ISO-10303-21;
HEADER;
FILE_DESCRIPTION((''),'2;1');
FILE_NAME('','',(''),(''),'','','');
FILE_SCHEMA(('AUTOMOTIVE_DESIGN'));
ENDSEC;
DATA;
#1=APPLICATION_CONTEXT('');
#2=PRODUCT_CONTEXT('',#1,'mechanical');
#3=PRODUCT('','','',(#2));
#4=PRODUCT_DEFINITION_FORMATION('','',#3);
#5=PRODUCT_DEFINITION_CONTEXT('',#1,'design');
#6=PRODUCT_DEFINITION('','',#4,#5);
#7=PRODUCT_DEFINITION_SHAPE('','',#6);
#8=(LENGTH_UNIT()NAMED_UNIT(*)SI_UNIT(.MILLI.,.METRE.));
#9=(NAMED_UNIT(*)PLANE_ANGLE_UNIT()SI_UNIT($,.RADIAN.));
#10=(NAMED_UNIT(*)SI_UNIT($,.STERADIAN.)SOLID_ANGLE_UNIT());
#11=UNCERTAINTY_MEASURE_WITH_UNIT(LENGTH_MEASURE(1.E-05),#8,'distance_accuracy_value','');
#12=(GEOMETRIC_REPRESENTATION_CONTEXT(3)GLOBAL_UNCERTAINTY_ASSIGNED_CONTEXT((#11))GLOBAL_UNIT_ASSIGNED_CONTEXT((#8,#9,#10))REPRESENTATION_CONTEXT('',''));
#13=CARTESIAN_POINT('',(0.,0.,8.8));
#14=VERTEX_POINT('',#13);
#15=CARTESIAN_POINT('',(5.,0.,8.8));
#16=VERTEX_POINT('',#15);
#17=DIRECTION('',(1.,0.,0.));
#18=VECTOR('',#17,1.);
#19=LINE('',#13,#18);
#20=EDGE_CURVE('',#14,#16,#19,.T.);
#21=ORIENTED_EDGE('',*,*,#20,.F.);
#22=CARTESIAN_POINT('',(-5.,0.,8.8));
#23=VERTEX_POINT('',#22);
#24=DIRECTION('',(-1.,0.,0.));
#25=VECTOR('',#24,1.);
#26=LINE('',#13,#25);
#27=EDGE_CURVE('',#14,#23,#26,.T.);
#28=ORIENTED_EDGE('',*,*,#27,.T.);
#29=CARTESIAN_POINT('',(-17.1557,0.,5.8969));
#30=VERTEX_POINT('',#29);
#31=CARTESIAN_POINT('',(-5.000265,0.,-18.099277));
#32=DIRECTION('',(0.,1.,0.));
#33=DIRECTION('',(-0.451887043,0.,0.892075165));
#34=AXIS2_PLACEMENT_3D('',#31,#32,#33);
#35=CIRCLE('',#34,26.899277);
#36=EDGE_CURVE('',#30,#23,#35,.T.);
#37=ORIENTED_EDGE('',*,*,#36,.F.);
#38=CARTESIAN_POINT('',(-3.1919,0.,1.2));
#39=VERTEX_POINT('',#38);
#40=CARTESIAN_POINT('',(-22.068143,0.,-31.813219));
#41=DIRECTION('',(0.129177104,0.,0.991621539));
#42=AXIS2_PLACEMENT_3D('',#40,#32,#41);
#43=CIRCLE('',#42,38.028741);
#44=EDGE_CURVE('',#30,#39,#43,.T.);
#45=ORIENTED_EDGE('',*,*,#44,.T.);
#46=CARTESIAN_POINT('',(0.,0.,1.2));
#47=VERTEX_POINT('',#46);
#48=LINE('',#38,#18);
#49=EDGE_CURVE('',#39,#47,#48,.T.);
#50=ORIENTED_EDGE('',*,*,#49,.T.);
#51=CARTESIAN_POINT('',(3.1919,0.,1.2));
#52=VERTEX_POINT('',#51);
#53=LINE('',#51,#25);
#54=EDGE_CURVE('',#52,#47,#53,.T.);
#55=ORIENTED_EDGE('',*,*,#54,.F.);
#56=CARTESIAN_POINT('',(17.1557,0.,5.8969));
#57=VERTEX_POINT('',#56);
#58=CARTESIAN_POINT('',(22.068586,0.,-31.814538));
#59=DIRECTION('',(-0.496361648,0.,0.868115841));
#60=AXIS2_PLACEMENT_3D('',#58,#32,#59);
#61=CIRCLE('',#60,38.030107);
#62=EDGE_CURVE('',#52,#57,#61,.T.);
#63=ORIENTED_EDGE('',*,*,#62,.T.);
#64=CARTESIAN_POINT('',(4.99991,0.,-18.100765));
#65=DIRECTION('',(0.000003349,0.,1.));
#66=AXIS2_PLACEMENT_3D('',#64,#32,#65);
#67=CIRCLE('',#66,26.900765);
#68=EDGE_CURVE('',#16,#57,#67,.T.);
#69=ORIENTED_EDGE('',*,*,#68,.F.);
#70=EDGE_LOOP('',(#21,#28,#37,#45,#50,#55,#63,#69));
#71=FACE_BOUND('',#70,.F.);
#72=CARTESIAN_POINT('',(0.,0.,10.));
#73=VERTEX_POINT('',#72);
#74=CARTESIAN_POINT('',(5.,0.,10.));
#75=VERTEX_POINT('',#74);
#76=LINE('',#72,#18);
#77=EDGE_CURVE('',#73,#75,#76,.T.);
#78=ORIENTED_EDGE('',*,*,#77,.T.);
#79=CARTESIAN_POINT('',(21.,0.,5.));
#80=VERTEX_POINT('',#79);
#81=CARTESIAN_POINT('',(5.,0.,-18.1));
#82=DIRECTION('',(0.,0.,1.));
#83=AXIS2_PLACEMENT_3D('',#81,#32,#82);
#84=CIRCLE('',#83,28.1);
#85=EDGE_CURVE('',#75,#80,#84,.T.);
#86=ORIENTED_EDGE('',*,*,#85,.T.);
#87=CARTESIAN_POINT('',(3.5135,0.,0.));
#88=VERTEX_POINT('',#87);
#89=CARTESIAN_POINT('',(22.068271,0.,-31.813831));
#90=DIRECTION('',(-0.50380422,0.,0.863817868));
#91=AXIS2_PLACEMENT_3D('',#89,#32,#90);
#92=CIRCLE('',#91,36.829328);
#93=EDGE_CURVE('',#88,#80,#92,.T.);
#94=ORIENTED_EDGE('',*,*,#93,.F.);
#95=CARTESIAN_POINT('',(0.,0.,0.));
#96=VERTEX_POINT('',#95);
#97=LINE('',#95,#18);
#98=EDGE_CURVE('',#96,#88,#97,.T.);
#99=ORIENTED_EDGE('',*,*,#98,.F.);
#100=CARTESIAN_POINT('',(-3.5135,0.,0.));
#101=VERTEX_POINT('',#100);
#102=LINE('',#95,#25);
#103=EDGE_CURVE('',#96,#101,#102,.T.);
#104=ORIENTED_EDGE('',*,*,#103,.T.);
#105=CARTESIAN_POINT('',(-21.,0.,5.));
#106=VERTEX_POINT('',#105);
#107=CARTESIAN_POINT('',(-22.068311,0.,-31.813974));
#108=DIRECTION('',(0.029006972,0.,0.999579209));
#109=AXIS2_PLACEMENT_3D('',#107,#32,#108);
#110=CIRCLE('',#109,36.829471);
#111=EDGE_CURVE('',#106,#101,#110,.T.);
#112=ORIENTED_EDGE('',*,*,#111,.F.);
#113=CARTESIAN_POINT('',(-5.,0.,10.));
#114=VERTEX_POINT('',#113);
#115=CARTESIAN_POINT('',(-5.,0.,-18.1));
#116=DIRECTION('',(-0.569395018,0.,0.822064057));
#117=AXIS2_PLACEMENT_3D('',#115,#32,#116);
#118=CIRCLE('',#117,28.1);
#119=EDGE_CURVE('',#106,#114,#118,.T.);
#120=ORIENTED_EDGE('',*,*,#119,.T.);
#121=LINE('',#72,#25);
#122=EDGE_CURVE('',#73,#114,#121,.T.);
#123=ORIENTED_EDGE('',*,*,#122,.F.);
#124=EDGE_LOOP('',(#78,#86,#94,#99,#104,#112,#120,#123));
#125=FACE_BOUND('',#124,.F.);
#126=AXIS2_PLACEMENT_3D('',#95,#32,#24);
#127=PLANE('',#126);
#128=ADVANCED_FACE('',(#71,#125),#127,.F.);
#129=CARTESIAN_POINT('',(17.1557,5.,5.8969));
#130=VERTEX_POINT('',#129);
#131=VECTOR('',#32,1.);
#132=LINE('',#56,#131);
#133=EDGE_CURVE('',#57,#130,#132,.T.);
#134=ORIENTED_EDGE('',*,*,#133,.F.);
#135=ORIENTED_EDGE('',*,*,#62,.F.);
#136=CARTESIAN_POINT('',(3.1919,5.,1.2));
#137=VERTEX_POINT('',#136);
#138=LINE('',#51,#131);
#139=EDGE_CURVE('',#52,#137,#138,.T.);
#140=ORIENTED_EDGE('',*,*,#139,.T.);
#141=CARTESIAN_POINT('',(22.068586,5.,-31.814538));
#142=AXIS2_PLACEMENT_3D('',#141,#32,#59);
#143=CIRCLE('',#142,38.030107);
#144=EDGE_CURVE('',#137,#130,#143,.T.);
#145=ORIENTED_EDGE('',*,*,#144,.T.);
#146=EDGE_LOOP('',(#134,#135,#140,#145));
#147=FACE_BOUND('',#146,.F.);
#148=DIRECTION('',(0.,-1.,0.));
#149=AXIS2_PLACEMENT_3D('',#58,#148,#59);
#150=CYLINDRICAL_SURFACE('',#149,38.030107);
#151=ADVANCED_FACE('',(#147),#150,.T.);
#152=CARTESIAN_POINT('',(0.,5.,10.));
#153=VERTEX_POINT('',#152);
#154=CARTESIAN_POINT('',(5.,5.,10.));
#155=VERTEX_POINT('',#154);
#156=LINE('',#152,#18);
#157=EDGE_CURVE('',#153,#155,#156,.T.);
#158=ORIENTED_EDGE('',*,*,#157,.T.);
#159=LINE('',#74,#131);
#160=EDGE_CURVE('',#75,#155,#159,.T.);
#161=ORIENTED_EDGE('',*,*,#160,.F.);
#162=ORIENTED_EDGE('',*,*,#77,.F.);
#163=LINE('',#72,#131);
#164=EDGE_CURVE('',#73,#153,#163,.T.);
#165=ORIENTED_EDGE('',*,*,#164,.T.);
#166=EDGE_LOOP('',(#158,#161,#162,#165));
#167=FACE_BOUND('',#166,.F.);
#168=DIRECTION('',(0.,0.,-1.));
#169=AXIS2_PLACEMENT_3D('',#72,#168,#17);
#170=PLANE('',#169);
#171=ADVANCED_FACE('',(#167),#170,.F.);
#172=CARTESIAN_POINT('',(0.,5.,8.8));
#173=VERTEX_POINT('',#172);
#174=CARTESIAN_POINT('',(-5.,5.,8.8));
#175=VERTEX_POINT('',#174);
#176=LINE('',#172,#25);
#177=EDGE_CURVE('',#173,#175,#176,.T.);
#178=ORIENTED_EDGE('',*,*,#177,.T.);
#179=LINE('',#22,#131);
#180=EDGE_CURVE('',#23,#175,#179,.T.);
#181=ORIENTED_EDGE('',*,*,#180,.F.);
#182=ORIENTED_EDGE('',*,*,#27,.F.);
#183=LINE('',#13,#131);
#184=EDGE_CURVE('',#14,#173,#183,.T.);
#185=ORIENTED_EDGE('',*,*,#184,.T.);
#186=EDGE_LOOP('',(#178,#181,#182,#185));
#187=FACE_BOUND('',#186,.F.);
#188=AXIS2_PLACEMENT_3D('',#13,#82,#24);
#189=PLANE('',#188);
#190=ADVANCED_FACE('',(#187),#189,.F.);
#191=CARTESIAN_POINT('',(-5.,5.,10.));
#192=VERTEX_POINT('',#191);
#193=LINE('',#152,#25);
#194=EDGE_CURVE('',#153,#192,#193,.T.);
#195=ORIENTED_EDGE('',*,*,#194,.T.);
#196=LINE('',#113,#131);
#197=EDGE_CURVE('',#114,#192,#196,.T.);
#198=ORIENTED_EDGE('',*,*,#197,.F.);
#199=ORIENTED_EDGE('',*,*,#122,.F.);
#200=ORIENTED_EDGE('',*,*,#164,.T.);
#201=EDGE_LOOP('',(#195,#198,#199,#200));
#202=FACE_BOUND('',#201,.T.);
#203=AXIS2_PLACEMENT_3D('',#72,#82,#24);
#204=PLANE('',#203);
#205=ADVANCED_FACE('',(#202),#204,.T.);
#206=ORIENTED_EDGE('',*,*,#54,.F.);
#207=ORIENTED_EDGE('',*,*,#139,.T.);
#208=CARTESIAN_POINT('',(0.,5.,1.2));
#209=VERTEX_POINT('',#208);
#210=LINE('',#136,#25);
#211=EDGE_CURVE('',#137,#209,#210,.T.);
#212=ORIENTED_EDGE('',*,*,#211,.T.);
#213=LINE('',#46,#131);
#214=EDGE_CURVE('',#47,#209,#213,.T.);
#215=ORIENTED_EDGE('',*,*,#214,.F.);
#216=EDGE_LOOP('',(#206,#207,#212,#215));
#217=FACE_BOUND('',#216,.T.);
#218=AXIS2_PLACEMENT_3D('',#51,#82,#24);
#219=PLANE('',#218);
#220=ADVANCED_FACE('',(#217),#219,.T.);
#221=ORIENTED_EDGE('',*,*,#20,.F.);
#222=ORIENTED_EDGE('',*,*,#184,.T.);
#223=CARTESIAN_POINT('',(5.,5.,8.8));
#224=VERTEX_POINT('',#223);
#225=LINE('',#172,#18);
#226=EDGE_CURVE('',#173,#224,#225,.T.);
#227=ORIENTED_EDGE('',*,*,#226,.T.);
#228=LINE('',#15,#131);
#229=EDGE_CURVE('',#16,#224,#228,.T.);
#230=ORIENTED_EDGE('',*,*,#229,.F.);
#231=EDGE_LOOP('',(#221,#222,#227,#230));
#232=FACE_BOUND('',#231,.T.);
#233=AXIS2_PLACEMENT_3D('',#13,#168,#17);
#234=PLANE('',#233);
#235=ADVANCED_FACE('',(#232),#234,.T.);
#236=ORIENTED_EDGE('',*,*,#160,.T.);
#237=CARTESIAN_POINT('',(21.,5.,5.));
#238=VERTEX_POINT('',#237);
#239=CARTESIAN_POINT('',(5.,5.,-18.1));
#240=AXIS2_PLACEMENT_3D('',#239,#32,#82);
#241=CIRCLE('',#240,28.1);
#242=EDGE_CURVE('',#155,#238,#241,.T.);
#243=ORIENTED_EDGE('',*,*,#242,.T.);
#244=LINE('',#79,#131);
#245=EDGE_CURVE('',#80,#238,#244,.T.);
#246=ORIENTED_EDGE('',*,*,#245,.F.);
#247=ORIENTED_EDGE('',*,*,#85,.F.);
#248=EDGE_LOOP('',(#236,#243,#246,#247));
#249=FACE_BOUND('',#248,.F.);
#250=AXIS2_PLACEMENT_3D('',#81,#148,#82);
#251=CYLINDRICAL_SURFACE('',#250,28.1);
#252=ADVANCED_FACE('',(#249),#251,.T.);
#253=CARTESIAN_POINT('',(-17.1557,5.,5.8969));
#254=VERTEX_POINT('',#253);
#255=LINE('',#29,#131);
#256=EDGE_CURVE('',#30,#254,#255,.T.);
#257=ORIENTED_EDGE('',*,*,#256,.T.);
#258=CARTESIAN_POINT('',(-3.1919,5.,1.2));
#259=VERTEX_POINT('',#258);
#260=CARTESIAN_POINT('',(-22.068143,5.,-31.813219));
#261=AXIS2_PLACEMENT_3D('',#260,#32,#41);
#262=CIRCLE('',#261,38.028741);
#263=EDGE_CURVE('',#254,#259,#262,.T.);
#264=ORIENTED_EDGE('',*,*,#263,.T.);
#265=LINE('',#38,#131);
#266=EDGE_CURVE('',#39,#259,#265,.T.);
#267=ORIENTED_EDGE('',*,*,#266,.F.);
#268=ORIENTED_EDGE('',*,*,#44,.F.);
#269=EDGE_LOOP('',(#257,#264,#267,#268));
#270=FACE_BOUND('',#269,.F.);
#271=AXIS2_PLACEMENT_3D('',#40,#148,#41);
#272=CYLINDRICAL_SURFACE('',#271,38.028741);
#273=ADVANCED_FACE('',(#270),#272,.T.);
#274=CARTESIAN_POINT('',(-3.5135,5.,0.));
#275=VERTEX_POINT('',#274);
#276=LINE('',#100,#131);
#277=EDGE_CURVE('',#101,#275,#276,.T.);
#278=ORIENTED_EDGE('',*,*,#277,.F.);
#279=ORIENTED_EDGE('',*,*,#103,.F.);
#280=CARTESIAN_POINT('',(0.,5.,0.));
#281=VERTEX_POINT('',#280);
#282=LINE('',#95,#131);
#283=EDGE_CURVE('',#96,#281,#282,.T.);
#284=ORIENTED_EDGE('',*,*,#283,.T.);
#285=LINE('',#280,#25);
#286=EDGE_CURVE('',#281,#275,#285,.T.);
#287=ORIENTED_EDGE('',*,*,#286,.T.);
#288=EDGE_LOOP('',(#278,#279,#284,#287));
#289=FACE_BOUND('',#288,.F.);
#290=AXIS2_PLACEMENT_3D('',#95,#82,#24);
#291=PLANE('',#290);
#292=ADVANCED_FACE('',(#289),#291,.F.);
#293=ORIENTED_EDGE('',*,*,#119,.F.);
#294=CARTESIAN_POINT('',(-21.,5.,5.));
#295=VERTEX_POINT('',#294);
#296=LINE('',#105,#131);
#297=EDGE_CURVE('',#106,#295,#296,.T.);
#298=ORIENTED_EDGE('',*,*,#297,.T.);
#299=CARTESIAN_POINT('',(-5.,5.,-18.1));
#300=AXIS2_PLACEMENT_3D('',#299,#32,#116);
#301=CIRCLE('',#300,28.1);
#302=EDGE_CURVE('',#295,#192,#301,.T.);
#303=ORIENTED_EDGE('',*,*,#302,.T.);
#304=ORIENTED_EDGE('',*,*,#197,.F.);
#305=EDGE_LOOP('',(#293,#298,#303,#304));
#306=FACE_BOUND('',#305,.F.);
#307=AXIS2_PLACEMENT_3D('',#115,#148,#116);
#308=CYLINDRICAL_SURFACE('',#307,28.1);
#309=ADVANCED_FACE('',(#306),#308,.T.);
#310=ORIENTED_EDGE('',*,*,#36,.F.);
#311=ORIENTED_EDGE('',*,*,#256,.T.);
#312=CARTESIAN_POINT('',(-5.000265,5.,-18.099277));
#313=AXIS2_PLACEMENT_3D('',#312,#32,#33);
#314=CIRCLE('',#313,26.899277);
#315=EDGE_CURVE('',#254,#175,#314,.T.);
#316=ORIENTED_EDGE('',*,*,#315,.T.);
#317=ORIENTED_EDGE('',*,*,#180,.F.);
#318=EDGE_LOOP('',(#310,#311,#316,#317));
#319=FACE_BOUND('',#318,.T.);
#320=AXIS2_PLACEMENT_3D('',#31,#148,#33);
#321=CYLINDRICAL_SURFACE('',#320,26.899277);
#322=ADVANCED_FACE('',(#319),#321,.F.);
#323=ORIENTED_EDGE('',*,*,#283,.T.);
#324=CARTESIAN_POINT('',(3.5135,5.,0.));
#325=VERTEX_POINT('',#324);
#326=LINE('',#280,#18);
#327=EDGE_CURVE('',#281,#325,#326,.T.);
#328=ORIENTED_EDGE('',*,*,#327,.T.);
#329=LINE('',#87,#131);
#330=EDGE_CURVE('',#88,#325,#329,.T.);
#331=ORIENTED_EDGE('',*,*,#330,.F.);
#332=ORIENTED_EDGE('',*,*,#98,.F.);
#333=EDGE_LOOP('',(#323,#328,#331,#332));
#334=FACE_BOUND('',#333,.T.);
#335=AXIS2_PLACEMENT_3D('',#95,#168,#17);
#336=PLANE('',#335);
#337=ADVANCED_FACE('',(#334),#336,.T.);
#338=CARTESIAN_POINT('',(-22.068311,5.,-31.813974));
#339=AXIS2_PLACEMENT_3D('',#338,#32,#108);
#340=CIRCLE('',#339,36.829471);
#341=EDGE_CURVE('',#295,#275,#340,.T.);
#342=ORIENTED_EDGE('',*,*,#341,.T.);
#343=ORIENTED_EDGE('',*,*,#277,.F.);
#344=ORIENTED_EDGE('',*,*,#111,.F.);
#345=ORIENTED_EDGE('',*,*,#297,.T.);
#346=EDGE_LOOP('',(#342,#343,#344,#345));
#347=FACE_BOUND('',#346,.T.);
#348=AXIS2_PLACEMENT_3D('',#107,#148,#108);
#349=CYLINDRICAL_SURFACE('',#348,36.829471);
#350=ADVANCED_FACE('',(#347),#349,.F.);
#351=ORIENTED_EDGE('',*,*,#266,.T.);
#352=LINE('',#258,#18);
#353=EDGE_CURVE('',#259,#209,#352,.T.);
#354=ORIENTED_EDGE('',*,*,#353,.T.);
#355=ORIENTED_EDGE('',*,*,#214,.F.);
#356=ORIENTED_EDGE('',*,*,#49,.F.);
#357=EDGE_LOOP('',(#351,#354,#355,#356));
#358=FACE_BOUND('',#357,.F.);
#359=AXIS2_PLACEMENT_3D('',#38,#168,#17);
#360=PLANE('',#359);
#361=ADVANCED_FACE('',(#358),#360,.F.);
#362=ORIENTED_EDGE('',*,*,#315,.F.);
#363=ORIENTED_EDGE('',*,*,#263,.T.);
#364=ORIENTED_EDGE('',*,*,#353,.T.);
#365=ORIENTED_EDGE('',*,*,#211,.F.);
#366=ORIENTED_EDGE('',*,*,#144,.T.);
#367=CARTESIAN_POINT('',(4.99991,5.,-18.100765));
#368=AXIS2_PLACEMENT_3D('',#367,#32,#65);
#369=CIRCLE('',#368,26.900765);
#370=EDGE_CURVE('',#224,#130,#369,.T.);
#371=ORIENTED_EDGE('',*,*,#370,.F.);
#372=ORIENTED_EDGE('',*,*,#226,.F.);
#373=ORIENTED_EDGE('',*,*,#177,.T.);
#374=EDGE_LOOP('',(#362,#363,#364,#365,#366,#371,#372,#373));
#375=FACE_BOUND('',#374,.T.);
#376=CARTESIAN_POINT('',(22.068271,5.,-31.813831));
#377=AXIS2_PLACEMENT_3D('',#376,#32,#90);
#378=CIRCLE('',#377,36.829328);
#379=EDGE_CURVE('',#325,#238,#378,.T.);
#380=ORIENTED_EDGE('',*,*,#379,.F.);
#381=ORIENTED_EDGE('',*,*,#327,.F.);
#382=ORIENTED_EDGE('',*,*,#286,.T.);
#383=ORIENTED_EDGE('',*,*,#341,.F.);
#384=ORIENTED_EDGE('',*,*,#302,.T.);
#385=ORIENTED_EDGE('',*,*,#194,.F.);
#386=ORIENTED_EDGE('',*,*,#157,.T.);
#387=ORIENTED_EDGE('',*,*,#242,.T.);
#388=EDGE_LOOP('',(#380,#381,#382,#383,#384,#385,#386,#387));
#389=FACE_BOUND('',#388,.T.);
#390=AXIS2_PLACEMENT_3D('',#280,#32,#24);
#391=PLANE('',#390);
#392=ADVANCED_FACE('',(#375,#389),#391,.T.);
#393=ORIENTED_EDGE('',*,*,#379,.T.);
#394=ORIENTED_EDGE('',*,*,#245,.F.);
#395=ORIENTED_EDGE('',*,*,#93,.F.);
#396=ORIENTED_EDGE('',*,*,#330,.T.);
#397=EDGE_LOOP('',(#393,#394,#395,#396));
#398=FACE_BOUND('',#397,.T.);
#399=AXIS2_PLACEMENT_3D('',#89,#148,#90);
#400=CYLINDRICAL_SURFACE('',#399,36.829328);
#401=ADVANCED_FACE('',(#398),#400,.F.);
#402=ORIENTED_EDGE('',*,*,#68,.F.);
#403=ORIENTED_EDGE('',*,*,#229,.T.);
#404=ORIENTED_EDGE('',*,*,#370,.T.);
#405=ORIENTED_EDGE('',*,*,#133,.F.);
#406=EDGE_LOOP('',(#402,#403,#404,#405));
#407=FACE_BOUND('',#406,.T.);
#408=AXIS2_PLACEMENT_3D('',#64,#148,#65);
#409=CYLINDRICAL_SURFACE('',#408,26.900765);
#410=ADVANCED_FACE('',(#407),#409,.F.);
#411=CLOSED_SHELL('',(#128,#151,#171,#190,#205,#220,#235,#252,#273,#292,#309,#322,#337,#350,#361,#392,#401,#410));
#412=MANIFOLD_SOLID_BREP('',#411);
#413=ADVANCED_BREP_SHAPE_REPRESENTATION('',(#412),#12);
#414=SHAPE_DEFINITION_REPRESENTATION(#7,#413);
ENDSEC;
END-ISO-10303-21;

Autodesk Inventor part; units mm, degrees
ref_plane "YZ Plane" through (0, 0, 0) normal (1, 0, 0) x (0, 1, 0)
ref_plane "XZ Plane" through (0, 0, 0) normal (0, 1, 0) x (-1, 0, 0)
ref_plane "XY Plane" through (0, 0, 0) normal (0, 0, 1) x (1, 0, 0)
sketch "Skizze1" plane through (0, 0, 0) normal (0, 1, 0) x (-1, 0, 0)
  line L0 (0, 0) -> (-3.5135, 0)
  line L1 (0, 10) -> (-5, 10)
  arc A0 (-3.5135, 0) -> (-21, 5) centre (-22.0683, -31.8139) ccw
  arc A1 (-5, 10) -> (-21, 5) centre (-5, -18.1) ccw
  line L2 (0, 8.8) -> (-5, 8.8)
  arc A2 (-5, 8.8) -> (-17.1557, 5.8969) centre (-5, -18.1) ccw
  arc A3 (-3.1919, 1.2) -> (-17.1557, 5.8969) centre (-22.0683, -31.8139) ccw
  line L3 (-3.1919, 1.2) -> (0, 1.2)
  line L4 (0, 0) -> (0, 10) construction
  line L5 (0, 0) -> (3.5135, 0)
  line L6 (0, 10) -> (5, 10)
  arc A4 (21, 5) -> (3.5135, 0) centre (22.0683, -31.8139) ccw
  arc A5 (21, 5) -> (5, 10) centre (5, -18.1) ccw
  line L7 (0, 8.8) -> (5, 8.8)
  arc A6 (17.1557, 5.8969) -> (5, 8.8) centre (5, -18.1) ccw
  arc A7 (17.1557, 5.8969) -> (3.1919, 1.2) centre (22.0683, -31.8139) ccw
  line L8 (3.1919, 1.2) -> (0, 1.2)
  dimension "d0" = 5
  dimension "d1" = 21
  dimension "d2" = 5
  dimension "d3" = 5
  dimension "d4" = 5
  dimension "d6" = 1.2
  dimension "d7" = 10
extrude "Extrusion1" add sketch "Skizze1" along normal blind 5
properties part number "Spring2"
